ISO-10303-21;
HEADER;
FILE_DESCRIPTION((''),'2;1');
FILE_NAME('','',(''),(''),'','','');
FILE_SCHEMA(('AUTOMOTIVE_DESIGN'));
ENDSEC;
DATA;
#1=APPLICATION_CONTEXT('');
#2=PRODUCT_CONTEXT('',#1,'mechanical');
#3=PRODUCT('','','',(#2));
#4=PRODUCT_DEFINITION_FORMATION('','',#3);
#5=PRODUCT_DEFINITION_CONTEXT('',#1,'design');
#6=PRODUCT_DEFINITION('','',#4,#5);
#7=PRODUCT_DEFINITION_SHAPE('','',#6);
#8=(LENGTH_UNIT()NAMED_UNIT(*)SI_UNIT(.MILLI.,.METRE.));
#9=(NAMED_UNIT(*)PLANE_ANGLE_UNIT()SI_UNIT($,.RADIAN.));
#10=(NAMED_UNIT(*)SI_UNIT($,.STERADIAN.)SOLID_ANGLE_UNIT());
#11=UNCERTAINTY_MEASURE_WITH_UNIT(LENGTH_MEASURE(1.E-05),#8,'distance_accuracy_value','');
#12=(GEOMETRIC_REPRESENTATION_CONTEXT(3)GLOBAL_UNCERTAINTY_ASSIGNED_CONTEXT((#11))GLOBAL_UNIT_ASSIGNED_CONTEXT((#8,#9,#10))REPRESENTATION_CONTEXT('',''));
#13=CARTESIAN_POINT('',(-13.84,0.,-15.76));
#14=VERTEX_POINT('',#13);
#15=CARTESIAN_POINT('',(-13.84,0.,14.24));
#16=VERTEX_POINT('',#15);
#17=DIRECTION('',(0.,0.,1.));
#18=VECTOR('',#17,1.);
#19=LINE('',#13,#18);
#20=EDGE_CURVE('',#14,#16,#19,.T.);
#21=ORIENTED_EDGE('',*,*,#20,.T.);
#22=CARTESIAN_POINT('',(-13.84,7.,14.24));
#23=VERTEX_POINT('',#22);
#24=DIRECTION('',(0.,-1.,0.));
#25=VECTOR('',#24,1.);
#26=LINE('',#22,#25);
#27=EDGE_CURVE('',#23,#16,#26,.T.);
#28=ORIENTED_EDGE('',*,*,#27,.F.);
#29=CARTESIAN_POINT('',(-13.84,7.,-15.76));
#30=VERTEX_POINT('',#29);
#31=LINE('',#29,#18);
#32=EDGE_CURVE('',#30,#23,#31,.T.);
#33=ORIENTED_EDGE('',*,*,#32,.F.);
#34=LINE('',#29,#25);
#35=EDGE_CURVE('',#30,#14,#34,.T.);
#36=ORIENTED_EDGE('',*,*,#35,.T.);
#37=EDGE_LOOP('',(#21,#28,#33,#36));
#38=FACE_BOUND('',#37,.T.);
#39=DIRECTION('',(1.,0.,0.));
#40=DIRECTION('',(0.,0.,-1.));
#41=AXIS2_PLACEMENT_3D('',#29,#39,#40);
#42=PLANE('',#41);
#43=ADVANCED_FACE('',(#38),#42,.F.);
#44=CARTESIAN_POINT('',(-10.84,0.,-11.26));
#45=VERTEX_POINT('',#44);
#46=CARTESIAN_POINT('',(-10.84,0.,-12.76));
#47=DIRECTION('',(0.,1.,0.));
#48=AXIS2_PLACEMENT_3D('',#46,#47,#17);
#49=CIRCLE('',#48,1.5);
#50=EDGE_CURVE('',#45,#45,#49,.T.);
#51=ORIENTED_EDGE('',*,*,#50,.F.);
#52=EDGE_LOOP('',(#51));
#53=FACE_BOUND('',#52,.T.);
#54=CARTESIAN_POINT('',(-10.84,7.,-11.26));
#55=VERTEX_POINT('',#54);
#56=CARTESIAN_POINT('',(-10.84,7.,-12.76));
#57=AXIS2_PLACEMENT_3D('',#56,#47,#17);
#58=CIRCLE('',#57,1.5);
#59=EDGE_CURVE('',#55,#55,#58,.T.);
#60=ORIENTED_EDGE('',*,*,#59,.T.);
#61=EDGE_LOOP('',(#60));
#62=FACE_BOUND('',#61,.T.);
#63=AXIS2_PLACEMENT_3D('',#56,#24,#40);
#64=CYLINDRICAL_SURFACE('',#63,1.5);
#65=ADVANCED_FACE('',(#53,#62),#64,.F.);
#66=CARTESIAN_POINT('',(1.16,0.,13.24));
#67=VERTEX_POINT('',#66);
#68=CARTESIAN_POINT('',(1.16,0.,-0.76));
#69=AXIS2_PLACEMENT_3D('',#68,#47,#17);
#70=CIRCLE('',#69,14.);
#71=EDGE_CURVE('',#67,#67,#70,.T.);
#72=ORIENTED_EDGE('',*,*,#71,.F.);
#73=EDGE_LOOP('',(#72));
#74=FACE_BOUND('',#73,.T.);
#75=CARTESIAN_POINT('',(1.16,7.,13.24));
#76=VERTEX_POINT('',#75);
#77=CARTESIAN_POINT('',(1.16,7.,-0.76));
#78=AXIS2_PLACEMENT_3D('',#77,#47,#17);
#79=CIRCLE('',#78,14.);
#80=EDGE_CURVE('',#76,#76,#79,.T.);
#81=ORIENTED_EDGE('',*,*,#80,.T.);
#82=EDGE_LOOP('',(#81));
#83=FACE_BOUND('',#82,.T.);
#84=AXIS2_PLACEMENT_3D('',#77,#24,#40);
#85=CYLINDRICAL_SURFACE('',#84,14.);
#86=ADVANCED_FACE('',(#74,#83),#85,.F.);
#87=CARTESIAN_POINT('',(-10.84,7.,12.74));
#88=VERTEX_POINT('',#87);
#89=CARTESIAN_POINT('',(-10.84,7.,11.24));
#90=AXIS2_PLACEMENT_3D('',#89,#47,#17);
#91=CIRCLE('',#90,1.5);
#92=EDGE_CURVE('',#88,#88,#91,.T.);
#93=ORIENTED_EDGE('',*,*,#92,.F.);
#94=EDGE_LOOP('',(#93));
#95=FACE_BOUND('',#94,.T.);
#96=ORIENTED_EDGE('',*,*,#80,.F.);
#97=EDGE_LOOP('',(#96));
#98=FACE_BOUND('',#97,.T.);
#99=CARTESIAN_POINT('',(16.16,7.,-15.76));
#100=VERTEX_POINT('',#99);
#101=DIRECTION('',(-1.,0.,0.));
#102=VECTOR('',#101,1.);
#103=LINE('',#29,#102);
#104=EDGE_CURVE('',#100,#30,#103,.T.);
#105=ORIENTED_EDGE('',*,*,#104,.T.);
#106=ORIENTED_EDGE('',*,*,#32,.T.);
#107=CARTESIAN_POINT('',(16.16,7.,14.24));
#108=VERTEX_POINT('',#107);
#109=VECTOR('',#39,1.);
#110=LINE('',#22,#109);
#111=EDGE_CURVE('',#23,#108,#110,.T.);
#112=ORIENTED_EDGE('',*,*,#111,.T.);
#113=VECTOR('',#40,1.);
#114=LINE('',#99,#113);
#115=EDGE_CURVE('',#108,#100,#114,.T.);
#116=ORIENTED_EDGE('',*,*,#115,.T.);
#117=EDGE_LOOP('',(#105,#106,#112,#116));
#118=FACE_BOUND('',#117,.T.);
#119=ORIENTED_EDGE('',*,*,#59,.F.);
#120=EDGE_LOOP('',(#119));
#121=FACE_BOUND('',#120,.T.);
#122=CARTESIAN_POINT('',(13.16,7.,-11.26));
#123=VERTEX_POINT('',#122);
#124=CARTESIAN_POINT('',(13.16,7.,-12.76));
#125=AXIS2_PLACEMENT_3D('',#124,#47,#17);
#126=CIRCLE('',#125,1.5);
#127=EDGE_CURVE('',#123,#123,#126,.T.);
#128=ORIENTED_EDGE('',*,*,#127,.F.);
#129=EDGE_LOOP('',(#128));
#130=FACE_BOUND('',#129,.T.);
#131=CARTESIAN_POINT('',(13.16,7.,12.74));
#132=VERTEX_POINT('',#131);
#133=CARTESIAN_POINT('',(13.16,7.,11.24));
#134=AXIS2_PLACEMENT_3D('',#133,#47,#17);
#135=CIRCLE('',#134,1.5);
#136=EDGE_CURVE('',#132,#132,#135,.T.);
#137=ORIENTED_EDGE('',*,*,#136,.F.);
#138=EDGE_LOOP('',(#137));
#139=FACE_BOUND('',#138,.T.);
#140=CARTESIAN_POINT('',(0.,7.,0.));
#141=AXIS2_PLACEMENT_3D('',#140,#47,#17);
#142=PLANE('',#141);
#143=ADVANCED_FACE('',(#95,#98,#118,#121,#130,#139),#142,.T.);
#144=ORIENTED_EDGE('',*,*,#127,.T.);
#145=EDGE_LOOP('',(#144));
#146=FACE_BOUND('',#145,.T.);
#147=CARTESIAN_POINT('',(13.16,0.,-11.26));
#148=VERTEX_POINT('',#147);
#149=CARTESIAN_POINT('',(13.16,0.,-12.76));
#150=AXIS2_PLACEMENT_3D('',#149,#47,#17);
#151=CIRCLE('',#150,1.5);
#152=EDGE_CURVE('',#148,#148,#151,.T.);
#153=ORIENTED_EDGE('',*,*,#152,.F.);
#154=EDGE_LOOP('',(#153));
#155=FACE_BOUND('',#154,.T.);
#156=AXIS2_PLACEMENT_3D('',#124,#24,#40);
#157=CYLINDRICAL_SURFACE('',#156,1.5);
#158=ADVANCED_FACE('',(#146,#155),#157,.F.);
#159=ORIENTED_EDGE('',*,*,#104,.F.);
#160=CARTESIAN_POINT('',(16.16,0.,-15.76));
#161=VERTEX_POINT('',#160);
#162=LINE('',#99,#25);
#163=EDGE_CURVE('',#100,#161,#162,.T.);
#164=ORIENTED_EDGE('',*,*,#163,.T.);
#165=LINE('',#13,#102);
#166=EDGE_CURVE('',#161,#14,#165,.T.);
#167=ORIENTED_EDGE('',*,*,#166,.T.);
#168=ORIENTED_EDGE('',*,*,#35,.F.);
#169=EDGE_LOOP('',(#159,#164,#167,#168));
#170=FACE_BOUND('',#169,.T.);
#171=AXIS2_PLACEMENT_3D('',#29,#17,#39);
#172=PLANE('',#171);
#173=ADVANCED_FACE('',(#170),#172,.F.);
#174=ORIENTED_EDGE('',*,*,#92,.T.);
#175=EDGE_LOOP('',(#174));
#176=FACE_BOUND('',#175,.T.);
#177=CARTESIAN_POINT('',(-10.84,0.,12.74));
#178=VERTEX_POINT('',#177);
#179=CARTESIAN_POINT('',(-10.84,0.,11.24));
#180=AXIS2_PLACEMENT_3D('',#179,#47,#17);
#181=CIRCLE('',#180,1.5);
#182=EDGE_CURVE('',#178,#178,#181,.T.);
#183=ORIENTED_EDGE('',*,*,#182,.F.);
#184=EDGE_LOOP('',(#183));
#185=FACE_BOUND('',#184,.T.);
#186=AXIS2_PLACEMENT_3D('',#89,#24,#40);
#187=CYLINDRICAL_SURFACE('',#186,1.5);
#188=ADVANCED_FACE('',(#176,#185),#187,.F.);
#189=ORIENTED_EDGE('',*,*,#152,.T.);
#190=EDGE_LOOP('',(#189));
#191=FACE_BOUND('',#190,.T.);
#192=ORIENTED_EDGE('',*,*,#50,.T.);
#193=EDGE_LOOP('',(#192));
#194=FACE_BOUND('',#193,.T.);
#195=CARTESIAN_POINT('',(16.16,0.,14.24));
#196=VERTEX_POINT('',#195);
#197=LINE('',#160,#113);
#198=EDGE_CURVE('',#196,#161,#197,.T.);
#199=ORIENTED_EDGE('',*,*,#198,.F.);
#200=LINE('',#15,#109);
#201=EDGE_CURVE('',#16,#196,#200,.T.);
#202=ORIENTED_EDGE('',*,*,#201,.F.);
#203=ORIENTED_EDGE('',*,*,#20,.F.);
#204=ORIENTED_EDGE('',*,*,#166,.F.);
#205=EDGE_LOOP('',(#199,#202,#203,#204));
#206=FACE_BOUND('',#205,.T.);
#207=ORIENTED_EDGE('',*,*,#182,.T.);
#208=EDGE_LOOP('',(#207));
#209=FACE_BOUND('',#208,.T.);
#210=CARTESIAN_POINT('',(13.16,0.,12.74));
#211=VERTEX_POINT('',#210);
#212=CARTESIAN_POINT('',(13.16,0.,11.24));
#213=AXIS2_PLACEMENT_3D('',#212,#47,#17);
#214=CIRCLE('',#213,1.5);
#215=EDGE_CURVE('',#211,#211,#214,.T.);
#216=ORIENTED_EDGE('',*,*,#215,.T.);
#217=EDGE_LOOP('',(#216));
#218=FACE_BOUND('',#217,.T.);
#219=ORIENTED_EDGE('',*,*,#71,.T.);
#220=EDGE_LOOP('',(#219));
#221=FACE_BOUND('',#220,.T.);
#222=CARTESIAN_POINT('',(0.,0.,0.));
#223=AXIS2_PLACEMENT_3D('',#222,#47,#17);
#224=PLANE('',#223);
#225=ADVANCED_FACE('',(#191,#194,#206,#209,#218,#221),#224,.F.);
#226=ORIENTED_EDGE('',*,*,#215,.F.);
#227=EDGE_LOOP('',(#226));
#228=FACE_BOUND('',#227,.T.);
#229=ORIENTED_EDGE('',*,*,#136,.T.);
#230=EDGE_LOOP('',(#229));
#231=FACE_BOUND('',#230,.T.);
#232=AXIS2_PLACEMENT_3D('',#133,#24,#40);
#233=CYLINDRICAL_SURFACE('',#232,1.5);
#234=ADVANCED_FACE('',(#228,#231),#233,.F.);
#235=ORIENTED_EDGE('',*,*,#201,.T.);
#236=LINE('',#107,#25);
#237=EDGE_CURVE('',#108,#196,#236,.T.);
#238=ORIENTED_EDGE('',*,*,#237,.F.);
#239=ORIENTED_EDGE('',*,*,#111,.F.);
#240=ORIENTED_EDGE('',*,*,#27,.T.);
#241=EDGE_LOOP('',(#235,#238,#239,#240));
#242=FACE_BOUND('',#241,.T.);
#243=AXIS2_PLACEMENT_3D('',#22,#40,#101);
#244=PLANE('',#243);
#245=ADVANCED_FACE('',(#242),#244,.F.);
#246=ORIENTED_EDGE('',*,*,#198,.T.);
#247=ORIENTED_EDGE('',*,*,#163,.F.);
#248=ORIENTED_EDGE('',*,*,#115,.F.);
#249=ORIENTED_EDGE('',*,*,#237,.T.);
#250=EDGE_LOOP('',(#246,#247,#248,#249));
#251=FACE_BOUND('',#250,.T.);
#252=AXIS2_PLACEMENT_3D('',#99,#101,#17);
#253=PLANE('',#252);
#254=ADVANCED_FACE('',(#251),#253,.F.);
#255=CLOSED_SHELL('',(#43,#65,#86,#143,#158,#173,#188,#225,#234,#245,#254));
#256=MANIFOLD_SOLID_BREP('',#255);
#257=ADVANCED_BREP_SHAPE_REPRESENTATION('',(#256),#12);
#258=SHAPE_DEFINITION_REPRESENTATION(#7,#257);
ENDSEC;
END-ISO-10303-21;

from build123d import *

# Parameters (mm, degrees)
SKETCH_1_W      = 30
SKETCH_1_H      = 30
SKETCH_1_R      = 1.5
SKETCH_1_R_2    = 14
EXTRUDE_1_DEPTH = 7


with BuildPart() as part:
    # 草图1 → 凸台-拉伸1 (new body)
    with BuildSketch(Plane(origin=(0, 0, 0), x_dir=(1, 0, 0), z_dir=(0, 1, 0))):
        with Locations((1.16, 0.76)):
            Rectangle(SKETCH_1_W, SKETCH_1_H)
        with Locations(Location((-10.84, 12.76, 0), (0, 0, 270))):
            Circle(SKETCH_1_R, mode=Mode.SUBTRACT)
        with Locations(Location((-10.84, -11.24, 0), (0, 0, 270))):
            Circle(SKETCH_1_R, mode=Mode.SUBTRACT)
        with Locations(Location((13.16, -11.24, 0), (0, 0, 270))):
            Circle(SKETCH_1_R, mode=Mode.SUBTRACT)
        with Locations(Location((13.16, 12.76, 0), (0, 0, 270))):
            Circle(SKETCH_1_R, mode=Mode.SUBTRACT)
        with Locations(Location((1.16, 0.76, 0), (0, 0, 270))):
            Circle(SKETCH_1_R_2, mode=Mode.SUBTRACT)
    extrude(amount=EXTRUDE_1_DEPTH)


solid = part.part
